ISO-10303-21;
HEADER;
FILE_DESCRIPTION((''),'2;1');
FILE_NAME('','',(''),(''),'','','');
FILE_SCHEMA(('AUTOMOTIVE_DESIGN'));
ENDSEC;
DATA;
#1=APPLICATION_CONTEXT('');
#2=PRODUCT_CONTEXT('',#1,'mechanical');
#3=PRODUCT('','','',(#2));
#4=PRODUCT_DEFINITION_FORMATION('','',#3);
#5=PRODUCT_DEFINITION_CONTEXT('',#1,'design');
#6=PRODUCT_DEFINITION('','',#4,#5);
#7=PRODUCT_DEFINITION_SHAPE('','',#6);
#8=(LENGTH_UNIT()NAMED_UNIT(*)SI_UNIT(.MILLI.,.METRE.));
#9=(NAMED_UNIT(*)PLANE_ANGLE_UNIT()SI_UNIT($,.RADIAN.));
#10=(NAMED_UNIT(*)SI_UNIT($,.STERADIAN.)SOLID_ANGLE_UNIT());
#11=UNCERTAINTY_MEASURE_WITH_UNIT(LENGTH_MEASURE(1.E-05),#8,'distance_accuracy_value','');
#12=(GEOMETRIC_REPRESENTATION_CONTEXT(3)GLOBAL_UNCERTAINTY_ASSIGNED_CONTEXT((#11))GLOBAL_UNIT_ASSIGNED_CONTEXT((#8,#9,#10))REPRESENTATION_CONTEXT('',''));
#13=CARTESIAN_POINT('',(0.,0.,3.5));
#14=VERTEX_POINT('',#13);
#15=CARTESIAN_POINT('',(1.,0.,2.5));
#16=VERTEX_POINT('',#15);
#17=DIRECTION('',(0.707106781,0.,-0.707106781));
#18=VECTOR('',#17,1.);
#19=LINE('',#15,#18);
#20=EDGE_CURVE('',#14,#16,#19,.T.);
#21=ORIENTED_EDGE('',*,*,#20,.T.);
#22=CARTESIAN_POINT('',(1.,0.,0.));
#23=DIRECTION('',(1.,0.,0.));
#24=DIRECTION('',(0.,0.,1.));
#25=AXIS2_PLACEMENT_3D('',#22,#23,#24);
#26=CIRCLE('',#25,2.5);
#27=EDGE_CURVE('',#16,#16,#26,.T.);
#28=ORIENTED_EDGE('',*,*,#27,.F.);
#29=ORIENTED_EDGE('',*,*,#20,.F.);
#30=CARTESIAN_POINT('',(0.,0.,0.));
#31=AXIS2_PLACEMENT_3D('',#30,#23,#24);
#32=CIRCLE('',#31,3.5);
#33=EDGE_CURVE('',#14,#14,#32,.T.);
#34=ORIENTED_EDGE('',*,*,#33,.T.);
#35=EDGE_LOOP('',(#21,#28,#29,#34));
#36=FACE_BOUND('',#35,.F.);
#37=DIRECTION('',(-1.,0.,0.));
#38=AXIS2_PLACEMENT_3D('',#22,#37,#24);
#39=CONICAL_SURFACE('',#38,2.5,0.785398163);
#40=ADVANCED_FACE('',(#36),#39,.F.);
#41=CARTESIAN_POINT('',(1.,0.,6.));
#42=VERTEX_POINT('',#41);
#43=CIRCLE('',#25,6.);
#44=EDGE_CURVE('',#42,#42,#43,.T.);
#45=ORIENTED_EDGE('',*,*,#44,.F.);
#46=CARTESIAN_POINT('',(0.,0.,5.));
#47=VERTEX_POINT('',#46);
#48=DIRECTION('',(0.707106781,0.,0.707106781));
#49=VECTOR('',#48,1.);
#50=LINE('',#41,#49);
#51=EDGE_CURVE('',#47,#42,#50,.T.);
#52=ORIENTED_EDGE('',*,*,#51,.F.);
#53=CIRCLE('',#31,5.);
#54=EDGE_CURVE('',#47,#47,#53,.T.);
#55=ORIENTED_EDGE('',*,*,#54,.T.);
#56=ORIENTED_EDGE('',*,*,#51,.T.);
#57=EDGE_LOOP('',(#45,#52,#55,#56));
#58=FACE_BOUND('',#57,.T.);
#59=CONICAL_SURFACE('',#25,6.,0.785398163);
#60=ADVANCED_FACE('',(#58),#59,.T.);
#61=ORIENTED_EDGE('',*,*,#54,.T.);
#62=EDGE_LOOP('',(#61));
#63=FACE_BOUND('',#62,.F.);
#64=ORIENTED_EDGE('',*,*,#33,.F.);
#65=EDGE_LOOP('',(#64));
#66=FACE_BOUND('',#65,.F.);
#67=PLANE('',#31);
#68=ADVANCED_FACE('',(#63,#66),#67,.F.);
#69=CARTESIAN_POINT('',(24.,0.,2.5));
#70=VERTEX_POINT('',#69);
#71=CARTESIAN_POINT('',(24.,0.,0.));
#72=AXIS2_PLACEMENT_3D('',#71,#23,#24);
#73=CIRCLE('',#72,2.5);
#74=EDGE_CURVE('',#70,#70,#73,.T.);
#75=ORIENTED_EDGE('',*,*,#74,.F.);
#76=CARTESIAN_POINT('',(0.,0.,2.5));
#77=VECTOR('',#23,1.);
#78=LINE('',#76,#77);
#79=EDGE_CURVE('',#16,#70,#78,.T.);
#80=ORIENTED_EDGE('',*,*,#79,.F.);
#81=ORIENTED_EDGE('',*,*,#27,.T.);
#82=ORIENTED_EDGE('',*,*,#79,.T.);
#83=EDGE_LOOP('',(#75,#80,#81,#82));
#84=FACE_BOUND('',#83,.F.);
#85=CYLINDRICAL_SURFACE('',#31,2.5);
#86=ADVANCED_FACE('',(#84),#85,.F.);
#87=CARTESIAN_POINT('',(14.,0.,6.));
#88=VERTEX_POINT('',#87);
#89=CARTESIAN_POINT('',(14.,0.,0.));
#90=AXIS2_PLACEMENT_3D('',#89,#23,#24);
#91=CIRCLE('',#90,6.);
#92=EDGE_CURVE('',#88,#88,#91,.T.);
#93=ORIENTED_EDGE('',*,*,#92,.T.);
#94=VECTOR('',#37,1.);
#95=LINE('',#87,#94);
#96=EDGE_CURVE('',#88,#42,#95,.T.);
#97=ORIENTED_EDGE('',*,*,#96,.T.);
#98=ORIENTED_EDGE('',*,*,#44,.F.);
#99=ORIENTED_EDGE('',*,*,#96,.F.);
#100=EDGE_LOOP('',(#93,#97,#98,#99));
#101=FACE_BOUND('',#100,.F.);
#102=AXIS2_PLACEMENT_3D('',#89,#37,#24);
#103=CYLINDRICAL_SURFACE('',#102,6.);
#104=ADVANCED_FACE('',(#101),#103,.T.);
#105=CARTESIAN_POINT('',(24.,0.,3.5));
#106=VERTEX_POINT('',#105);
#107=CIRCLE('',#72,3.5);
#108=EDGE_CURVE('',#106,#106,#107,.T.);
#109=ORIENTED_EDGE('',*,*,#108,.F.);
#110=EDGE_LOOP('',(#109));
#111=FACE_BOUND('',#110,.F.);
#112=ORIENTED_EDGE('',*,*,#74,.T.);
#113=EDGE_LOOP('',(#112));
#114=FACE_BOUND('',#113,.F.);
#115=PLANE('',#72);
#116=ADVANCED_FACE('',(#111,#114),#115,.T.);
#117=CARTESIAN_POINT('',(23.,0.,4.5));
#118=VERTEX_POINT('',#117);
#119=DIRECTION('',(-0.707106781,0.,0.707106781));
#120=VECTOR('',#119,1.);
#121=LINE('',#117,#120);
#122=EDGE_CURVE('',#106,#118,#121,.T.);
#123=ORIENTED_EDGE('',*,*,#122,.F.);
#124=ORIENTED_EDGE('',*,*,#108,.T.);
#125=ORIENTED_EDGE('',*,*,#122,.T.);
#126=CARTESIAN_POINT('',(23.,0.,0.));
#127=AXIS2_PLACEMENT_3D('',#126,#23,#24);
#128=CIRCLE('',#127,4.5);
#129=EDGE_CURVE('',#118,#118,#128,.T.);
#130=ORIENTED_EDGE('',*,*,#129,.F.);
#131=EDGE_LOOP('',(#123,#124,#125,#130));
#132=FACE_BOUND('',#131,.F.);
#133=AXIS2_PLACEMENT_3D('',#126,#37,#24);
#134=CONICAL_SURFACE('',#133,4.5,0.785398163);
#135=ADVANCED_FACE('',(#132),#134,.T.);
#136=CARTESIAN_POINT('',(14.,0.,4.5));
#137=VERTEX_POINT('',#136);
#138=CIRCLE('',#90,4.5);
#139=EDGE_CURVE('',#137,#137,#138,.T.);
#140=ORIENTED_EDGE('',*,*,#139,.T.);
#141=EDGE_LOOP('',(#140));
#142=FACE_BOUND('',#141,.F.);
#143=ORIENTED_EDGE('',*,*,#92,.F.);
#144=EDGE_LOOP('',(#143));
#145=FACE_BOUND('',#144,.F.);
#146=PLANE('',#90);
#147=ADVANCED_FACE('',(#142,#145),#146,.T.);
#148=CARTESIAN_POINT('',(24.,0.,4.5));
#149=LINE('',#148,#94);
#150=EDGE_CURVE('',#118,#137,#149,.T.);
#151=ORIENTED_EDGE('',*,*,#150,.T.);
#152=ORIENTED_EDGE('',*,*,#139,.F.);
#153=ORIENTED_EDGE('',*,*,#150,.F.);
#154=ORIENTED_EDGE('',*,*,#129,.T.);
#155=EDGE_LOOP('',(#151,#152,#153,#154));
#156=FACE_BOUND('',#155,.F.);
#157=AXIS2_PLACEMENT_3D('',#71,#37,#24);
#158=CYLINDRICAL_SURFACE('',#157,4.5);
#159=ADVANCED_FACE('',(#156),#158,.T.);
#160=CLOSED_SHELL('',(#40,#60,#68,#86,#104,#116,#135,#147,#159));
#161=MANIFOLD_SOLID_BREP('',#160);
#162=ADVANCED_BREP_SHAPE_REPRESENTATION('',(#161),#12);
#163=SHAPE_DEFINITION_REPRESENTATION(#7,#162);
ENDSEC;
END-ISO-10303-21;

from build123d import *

# Parameters (mm, degrees)
F3_SIZE = 1


with BuildPart() as f2:
    # F0 (on Front) → F2 (revolve)
    with BuildSketch(Plane.XZ):
        Polygon((0, 6), (0, 2.5), (24, 2.5), (24, 4.5), (14, 4.5), (14, 6), align=None)
    revolve(axis=Axis((18.827895, 0, 0), (1, 0, 0)))

    # F3
    f3_edges = [f2.edges().sort_by_distance(p)[0] for p in [
        (24, 0, -4.5),
        (0, 0, -6),
        (0, 0, -2.5),
    ]]
    chamfer(f3_edges, length=F3_SIZE)


solid = f2.part
